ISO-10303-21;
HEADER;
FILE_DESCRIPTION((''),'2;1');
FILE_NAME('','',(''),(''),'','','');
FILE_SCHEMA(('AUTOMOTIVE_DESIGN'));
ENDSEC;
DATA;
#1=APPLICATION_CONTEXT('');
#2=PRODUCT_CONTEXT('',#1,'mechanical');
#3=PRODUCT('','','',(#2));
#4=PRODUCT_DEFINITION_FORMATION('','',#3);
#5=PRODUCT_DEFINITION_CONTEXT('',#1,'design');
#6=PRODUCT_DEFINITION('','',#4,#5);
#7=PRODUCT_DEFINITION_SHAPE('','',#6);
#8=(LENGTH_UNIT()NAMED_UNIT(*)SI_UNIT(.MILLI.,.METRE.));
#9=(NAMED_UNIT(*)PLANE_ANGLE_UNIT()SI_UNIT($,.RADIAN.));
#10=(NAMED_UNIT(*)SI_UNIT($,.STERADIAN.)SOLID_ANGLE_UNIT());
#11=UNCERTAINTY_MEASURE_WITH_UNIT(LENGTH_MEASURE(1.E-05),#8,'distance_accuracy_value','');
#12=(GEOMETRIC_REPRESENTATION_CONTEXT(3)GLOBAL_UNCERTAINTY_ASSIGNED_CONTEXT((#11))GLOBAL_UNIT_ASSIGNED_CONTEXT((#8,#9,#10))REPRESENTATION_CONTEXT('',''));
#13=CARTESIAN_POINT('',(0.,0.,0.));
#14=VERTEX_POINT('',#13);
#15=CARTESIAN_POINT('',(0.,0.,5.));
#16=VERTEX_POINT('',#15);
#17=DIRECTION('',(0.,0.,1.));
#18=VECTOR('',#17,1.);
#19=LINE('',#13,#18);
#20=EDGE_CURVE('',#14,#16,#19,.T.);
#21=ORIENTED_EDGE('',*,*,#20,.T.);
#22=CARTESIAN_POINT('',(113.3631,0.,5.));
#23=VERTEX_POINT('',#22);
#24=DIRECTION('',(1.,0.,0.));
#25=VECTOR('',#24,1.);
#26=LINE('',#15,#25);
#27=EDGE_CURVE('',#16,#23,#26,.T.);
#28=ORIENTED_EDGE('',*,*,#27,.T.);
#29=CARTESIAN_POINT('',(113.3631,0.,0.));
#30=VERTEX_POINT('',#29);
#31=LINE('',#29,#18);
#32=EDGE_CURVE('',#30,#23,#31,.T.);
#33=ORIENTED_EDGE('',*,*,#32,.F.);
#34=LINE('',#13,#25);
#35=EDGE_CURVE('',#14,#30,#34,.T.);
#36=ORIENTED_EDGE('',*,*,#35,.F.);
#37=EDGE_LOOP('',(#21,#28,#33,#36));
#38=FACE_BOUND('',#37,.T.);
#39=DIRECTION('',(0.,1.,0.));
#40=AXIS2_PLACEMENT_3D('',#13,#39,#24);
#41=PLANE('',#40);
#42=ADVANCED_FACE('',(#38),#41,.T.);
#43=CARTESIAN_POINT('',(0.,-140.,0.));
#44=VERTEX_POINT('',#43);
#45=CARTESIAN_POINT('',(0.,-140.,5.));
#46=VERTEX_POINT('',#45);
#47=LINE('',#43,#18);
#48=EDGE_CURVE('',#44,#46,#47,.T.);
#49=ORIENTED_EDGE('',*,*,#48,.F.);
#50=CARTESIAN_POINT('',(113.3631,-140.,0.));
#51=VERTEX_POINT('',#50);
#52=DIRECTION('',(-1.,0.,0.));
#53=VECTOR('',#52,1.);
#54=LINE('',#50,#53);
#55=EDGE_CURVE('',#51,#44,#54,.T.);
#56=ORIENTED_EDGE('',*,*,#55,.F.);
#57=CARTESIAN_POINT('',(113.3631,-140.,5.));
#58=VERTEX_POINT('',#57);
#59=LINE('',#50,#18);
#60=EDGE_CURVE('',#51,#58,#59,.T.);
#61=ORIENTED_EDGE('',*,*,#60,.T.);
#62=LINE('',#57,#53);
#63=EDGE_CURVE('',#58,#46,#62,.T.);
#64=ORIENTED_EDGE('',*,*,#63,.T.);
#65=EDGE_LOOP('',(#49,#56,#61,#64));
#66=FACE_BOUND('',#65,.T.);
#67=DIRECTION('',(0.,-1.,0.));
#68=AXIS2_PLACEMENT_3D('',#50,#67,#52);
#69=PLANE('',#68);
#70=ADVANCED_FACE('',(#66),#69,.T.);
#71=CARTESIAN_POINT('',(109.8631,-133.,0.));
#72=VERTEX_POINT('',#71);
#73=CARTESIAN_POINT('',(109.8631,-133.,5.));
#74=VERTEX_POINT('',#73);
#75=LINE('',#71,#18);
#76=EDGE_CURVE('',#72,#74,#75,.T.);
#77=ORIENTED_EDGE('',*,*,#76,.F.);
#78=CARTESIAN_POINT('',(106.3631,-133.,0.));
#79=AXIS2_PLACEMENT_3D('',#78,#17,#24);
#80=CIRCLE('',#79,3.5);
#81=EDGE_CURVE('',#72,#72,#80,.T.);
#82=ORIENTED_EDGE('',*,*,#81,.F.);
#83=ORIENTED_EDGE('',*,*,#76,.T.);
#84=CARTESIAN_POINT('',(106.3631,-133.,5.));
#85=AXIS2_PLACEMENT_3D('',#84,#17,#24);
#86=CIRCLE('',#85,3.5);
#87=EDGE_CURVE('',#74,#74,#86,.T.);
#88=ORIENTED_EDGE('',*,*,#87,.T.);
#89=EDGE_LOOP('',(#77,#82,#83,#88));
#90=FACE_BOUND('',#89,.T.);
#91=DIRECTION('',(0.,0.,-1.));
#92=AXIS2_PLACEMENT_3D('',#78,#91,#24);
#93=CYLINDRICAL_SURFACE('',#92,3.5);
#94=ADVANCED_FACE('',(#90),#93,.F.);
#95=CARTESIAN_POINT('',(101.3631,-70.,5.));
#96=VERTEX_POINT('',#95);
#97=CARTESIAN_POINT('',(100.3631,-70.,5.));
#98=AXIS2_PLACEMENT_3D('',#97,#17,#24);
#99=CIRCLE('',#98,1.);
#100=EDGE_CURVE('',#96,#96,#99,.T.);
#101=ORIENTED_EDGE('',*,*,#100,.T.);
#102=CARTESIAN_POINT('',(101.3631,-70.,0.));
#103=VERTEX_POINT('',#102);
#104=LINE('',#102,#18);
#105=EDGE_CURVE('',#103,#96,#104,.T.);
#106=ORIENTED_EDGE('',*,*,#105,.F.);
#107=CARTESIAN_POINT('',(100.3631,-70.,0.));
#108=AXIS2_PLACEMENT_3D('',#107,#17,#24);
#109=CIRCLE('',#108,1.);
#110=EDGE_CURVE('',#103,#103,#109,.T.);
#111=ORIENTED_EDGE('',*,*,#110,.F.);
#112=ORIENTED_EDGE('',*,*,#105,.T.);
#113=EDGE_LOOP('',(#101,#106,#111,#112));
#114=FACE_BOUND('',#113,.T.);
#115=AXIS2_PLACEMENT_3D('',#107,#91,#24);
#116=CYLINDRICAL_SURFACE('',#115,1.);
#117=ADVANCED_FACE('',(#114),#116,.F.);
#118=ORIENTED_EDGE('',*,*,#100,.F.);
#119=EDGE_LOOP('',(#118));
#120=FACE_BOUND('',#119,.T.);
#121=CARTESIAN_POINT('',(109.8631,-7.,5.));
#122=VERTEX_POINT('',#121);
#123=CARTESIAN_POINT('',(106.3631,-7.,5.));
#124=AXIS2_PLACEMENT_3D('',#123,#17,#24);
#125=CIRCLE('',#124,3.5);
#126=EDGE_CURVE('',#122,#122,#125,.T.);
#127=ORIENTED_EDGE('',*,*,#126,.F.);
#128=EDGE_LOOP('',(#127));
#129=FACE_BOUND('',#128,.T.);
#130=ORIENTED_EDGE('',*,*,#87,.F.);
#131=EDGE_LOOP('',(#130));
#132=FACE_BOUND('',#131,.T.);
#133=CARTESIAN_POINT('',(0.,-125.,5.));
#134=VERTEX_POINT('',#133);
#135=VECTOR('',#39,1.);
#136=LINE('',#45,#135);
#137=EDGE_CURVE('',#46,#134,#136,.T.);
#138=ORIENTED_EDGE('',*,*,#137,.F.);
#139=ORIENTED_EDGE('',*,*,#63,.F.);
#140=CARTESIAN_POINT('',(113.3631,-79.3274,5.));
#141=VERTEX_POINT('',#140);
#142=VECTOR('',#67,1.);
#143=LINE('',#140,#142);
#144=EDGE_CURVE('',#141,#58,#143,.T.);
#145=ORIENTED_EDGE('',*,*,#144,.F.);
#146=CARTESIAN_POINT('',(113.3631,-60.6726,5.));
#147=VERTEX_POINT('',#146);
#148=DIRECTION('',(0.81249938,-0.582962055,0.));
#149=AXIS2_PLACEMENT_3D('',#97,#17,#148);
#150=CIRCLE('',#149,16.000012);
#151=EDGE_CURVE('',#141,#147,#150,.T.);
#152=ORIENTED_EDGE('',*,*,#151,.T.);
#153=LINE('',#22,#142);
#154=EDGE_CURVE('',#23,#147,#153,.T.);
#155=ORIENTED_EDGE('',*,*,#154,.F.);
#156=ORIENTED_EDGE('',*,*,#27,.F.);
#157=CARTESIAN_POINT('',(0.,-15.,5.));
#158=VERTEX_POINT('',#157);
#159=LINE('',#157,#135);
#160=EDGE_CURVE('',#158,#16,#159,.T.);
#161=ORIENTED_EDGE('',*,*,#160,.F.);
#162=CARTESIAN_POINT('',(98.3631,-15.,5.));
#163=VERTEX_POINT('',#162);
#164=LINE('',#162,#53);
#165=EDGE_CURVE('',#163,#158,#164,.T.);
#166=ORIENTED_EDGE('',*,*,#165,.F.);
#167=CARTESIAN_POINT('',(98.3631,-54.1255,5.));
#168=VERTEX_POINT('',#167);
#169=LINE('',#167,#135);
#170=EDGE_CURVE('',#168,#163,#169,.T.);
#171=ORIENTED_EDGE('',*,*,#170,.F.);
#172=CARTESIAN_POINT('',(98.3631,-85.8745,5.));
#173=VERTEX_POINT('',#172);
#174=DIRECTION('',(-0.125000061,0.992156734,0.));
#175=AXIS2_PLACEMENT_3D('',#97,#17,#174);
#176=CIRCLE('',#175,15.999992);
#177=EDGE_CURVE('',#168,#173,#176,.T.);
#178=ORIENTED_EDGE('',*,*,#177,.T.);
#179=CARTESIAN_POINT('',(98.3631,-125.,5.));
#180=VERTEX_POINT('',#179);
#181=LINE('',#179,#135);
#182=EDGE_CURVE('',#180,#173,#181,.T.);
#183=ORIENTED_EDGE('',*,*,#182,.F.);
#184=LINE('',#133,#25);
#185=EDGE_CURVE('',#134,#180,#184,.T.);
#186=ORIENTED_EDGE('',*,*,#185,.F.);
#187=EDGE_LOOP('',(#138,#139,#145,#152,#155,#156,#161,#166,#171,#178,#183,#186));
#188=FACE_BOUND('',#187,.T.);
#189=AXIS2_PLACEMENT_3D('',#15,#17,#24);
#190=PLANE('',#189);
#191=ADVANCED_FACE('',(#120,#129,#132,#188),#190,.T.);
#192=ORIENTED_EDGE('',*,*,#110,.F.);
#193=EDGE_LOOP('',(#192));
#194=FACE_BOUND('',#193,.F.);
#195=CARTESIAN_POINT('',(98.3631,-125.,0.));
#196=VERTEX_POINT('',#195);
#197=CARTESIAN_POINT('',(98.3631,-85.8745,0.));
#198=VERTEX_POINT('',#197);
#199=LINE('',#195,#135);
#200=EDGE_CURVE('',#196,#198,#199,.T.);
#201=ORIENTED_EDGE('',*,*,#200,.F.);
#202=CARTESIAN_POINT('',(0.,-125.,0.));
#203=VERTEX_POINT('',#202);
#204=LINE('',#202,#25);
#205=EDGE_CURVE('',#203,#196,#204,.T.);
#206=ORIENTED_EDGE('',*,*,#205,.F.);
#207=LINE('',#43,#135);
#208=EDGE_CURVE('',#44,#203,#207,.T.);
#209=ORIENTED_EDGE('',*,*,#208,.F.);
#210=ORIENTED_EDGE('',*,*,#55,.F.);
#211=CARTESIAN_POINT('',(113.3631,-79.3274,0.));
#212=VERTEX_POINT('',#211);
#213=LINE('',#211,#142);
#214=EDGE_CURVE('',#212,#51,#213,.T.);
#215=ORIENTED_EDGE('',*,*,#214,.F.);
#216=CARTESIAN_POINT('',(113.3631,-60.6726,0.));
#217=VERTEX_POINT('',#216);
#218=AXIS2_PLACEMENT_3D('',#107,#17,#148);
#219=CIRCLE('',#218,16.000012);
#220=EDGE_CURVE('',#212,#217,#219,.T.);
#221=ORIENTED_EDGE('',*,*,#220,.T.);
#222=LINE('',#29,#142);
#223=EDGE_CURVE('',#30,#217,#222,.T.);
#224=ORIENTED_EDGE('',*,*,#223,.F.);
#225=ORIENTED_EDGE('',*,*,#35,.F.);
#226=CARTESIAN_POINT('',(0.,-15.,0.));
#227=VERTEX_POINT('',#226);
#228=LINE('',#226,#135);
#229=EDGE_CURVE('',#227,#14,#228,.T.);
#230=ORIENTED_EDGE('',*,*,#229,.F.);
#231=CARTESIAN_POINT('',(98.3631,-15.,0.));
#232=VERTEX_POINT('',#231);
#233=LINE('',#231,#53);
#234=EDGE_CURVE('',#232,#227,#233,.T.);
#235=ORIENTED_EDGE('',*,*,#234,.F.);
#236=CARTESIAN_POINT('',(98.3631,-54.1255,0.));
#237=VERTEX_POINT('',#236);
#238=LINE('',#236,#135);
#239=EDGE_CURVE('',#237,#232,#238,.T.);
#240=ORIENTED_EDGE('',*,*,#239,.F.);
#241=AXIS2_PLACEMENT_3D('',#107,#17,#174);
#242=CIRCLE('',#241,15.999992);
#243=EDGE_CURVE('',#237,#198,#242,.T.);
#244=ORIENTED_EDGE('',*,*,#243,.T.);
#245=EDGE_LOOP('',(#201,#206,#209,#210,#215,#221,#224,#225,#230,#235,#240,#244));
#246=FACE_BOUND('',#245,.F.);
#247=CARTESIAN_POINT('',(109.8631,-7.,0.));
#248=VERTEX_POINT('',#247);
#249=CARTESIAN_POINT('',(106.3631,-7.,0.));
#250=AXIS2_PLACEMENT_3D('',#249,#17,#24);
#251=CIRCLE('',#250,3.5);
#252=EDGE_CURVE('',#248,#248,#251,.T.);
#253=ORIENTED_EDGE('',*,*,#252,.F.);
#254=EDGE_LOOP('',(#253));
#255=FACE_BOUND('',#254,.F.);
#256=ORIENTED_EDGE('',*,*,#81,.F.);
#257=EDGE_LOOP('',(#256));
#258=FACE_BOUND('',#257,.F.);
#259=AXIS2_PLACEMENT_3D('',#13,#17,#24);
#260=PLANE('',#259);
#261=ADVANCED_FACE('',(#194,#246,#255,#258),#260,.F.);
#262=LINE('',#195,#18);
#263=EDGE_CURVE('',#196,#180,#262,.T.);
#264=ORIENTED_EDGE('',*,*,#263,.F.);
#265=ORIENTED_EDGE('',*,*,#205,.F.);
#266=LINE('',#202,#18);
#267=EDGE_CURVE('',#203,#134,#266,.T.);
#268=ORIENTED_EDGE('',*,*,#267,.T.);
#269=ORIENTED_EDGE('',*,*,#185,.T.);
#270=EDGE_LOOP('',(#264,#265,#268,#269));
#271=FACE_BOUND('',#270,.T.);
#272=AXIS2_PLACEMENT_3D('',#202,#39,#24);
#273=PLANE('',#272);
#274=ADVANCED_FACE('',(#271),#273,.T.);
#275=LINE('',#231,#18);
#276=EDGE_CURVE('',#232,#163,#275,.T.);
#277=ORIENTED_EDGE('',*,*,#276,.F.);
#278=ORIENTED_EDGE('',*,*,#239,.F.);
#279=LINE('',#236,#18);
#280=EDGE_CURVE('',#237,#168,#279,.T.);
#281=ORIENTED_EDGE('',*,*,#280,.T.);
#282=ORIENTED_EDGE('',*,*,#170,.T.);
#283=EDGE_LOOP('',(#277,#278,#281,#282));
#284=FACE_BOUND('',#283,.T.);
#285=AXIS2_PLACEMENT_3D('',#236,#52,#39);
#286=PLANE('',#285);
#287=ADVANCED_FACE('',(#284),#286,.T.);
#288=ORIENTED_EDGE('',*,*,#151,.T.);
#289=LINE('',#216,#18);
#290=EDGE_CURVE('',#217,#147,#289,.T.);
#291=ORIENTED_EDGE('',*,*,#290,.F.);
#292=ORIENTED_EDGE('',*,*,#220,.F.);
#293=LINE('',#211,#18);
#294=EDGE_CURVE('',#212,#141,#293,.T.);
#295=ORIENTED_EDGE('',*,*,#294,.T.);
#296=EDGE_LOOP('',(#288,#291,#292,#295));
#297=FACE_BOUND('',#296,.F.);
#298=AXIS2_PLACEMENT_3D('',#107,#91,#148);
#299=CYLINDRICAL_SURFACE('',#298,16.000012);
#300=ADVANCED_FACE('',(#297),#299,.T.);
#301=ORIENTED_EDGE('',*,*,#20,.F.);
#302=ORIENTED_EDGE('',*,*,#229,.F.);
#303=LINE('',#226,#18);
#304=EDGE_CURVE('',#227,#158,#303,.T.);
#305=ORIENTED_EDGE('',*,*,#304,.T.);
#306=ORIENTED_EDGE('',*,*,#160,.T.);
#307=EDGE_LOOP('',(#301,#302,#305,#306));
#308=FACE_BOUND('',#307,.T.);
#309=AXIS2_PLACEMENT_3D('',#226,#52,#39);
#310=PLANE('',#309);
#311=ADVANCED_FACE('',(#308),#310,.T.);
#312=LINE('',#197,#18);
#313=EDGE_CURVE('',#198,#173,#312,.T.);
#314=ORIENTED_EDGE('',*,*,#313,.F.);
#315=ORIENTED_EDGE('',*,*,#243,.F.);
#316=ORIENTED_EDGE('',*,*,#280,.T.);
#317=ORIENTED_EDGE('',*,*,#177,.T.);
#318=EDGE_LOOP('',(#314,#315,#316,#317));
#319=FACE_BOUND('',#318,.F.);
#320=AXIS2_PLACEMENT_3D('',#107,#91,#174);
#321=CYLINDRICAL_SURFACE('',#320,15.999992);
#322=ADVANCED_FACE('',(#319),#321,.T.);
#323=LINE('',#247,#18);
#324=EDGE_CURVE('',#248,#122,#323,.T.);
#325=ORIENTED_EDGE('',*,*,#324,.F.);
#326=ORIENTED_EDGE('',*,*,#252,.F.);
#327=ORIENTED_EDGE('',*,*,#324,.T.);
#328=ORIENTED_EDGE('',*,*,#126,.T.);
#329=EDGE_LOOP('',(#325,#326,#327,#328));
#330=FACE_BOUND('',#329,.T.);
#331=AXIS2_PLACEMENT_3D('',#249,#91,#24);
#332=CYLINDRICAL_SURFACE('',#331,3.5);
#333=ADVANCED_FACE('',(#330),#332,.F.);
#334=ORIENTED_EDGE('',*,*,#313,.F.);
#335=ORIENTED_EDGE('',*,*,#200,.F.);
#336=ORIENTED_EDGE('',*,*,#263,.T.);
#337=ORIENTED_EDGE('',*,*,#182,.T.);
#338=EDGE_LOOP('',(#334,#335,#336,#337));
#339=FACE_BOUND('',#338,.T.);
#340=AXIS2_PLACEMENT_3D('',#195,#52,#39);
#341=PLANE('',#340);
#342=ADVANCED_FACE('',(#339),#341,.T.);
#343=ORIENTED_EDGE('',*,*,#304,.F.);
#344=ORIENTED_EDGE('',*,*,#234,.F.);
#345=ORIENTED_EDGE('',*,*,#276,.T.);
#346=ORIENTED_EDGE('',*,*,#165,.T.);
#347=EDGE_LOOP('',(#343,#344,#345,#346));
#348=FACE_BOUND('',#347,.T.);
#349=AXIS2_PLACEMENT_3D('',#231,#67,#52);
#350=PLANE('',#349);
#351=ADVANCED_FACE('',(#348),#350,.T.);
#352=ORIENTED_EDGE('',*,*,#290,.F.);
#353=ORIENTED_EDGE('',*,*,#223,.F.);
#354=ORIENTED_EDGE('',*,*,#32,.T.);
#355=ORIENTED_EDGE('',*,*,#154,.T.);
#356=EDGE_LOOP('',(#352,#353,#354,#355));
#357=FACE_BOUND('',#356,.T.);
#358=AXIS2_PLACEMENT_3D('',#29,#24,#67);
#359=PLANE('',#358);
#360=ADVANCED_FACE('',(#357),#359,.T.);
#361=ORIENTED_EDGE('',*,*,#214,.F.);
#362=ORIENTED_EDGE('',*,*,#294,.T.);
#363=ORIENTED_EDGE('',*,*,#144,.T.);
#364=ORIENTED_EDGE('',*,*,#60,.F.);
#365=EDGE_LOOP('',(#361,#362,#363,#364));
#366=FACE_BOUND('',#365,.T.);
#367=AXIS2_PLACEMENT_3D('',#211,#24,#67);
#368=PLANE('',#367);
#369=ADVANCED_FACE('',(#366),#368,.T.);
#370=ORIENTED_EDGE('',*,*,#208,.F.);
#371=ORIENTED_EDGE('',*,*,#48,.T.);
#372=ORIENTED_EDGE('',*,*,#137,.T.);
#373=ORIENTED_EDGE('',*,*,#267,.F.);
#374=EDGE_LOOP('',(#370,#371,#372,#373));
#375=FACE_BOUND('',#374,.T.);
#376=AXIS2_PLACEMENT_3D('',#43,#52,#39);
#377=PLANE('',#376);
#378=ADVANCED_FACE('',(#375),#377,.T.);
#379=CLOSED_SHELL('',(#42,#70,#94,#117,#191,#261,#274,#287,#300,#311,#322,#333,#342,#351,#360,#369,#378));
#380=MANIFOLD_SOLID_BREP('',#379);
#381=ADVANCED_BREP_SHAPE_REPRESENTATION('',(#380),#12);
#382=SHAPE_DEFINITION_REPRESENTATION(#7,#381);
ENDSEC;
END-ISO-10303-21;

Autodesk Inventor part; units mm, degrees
ref_plane "YZ Plane" through (0, 0, 0) normal (1, 0, 0) x (0, 1, 0)
ref_plane "XZ Plane" through (0, 0, 0) normal (0, 1, 0) x (-1, 0, 0)
ref_plane "XY Plane" through (0, 0, 0) normal (0, 0, 1) x (1, 0, 0)
sketch "Boceto1" plane through (0, 0, 0) normal (0, 0, 1) x (1, 0, 0)
  circle A0 centre (106.3631, -133) radius 3.5
  line L0 (0, -125) -> (98.3631, -125)
  line L1 (98.3631, -125) -> (98.3631, -85.8745)
  line L2 (0, -140) -> (0, -125)
  line L3 (0, 0) -> (113.3631, 0)
  line L4 (113.3631, 0) -> (113.3631, -60.6726)
  line L5 (0, -15) -> (0, 0)
  circle A1 centre (106.3631, -7) radius 3.5
  arc A2 (98.3631, -54.1255) -> (98.3631, -85.8745) centre (100.3631, -70) ccw
  line L6 (113.3631, -79.3274) -> (113.3631, -140)
  line L7 (113.3631, -140) -> (0, -140)
  line L8 (98.3631, -54.1255) -> (98.3631, -15)
  line L9 (98.3631, -15) -> (0, -15)
  arc A3 (113.3631, -79.3274) -> (113.3631, -60.6726) centre (100.3631, -70) ccw
  circle A4 centre (100.3631, -70) radius 1
  point P0 (98.3631, -85.8745)
  point P1 (113.3631, -79.3274)
  point P2 (113.3631, -60.6726)
  dimension "d0" = 2
extrude "Extrusión1" add sketch "Boceto1" along normal blind 5
properties part number "P7"
